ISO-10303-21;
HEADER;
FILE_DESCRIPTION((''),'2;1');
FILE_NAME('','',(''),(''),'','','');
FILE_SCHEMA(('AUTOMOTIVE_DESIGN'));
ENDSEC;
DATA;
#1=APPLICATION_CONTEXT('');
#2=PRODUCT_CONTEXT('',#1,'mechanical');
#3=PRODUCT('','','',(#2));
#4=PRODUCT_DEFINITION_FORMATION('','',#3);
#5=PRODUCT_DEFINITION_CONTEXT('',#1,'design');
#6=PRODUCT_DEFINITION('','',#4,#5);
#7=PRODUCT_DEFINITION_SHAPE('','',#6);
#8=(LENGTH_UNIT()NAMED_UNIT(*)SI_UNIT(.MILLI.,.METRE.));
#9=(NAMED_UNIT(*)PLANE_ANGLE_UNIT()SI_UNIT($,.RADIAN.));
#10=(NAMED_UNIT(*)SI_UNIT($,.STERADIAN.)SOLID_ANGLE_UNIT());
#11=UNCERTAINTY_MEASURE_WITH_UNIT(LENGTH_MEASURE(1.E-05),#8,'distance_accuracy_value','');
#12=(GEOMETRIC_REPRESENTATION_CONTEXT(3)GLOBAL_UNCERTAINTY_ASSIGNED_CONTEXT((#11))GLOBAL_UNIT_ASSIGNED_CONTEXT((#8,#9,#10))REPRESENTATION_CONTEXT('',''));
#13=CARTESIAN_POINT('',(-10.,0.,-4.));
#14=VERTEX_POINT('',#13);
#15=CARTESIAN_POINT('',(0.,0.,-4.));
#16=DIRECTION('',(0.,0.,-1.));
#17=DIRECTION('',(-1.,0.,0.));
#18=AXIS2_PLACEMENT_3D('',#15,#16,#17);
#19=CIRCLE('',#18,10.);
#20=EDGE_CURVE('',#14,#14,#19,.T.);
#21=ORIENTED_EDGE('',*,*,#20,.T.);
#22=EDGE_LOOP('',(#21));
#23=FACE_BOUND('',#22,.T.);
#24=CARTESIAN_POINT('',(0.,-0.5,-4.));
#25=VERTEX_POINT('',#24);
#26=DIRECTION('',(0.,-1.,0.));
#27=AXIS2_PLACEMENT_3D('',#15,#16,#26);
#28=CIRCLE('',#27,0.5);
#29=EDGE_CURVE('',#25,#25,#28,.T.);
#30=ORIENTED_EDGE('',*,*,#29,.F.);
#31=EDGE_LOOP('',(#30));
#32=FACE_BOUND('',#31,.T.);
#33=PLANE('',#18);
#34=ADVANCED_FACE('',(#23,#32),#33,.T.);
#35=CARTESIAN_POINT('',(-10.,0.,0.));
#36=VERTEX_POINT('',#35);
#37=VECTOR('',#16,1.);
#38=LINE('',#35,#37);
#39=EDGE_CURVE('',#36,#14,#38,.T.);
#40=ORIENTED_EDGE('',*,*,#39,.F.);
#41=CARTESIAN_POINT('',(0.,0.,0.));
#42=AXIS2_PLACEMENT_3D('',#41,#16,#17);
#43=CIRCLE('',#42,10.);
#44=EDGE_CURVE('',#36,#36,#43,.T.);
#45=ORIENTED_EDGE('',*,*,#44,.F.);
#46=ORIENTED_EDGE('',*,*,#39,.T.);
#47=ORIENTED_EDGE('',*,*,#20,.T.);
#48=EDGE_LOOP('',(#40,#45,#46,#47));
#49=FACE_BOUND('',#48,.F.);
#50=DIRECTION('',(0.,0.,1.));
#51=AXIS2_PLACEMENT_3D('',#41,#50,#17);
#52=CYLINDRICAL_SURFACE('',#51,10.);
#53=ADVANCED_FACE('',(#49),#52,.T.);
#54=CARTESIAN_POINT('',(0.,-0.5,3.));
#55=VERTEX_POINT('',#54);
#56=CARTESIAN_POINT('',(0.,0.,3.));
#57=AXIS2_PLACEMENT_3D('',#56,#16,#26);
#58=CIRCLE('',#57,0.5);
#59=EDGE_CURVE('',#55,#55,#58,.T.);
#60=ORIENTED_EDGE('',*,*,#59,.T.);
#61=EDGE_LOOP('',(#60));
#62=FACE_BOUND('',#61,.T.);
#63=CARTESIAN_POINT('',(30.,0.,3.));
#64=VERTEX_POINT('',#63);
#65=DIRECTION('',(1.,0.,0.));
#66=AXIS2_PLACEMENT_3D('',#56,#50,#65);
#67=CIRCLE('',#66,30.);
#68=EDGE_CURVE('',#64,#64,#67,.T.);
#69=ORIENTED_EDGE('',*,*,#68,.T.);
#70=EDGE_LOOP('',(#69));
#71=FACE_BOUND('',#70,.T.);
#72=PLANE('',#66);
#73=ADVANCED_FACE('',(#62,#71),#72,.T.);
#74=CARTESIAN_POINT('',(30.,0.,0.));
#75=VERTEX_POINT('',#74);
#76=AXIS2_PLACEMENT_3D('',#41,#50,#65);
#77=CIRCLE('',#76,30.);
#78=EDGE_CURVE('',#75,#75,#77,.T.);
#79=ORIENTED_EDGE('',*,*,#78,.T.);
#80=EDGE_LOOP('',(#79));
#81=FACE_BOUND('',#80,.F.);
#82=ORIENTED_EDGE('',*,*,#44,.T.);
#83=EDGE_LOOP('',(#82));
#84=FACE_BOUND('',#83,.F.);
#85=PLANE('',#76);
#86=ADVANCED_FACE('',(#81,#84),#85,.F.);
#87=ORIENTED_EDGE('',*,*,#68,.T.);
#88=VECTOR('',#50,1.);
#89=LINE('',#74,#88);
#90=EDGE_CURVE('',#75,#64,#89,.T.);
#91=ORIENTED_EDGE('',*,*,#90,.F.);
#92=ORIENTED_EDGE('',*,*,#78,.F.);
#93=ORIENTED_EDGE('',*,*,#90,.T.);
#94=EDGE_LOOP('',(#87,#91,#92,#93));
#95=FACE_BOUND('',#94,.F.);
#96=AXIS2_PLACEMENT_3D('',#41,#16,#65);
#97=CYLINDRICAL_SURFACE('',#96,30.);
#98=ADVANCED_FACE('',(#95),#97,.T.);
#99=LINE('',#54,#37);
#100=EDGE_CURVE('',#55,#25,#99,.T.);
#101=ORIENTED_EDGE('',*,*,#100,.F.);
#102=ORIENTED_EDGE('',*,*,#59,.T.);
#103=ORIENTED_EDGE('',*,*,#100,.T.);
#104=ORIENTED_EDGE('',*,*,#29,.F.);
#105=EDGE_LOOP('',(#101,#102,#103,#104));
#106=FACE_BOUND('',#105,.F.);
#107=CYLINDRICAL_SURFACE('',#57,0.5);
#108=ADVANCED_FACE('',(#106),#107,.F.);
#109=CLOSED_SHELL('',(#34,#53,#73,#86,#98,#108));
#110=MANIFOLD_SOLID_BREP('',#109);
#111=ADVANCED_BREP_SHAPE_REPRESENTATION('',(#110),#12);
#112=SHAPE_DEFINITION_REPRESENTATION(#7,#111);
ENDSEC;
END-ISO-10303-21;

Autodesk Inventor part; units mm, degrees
ref_plane "YZ Plane" through (0, 0, 0) normal (1, 0, 0) x (0, 1, 0)
ref_plane "XZ Plane" through (0, 0, 0) normal (0, 1, 0) x (-1, 0, 0)
ref_plane "XY Plane" through (0, 0, 0) normal (0, 0, 1) x (1, 0, 0)
sketch "Sketch1" plane through (0, 0, 0) normal (0, 0, 1) x (1, 0, 0)
  circle A0 centre (0, 0) radius 30
  dimension "d0" = 60
extrude "Extrusion1" add sketch "Sketch1" along normal blind 3
sketch "Sketch2" plane through (0, 0, 0) normal (0, 0, -1) x (-1, 0, 0)
  circle A0 centre (0, 0) radius 10
  dimension "d3" = 20
extrude "Extrusion2" add sketch "Sketch2" along normal blind 4
sketch "Sketch3" plane through (0, 0, 3) normal (0, 0, 1) x (1, 0, 0)
  point P0 (0, 0)
  point P1 (0, 0)
hole "Hole1" at (0, 0, 3) direction (0, 0, -1) diameter 1 end through all
equation "\"d0\" = re_diametro"
equation "\"d1\" = re_grosor"
equation "\"d3\" = re_eje_diametro"
equation "\"d4\" = re_eje_grosor"
equation "\"d6\" = ri_ancla_diametro"
equation "\"re_diametro\" = 60"
equation "\"re_grosor\" = 3"
equation "\"re_eje_diametro\" = 20"
equation "\"re_eje_grosor\" = 4"
equation "\"ri_ancla_diametro\" = 1"
properties part number "Rueda Externa"
